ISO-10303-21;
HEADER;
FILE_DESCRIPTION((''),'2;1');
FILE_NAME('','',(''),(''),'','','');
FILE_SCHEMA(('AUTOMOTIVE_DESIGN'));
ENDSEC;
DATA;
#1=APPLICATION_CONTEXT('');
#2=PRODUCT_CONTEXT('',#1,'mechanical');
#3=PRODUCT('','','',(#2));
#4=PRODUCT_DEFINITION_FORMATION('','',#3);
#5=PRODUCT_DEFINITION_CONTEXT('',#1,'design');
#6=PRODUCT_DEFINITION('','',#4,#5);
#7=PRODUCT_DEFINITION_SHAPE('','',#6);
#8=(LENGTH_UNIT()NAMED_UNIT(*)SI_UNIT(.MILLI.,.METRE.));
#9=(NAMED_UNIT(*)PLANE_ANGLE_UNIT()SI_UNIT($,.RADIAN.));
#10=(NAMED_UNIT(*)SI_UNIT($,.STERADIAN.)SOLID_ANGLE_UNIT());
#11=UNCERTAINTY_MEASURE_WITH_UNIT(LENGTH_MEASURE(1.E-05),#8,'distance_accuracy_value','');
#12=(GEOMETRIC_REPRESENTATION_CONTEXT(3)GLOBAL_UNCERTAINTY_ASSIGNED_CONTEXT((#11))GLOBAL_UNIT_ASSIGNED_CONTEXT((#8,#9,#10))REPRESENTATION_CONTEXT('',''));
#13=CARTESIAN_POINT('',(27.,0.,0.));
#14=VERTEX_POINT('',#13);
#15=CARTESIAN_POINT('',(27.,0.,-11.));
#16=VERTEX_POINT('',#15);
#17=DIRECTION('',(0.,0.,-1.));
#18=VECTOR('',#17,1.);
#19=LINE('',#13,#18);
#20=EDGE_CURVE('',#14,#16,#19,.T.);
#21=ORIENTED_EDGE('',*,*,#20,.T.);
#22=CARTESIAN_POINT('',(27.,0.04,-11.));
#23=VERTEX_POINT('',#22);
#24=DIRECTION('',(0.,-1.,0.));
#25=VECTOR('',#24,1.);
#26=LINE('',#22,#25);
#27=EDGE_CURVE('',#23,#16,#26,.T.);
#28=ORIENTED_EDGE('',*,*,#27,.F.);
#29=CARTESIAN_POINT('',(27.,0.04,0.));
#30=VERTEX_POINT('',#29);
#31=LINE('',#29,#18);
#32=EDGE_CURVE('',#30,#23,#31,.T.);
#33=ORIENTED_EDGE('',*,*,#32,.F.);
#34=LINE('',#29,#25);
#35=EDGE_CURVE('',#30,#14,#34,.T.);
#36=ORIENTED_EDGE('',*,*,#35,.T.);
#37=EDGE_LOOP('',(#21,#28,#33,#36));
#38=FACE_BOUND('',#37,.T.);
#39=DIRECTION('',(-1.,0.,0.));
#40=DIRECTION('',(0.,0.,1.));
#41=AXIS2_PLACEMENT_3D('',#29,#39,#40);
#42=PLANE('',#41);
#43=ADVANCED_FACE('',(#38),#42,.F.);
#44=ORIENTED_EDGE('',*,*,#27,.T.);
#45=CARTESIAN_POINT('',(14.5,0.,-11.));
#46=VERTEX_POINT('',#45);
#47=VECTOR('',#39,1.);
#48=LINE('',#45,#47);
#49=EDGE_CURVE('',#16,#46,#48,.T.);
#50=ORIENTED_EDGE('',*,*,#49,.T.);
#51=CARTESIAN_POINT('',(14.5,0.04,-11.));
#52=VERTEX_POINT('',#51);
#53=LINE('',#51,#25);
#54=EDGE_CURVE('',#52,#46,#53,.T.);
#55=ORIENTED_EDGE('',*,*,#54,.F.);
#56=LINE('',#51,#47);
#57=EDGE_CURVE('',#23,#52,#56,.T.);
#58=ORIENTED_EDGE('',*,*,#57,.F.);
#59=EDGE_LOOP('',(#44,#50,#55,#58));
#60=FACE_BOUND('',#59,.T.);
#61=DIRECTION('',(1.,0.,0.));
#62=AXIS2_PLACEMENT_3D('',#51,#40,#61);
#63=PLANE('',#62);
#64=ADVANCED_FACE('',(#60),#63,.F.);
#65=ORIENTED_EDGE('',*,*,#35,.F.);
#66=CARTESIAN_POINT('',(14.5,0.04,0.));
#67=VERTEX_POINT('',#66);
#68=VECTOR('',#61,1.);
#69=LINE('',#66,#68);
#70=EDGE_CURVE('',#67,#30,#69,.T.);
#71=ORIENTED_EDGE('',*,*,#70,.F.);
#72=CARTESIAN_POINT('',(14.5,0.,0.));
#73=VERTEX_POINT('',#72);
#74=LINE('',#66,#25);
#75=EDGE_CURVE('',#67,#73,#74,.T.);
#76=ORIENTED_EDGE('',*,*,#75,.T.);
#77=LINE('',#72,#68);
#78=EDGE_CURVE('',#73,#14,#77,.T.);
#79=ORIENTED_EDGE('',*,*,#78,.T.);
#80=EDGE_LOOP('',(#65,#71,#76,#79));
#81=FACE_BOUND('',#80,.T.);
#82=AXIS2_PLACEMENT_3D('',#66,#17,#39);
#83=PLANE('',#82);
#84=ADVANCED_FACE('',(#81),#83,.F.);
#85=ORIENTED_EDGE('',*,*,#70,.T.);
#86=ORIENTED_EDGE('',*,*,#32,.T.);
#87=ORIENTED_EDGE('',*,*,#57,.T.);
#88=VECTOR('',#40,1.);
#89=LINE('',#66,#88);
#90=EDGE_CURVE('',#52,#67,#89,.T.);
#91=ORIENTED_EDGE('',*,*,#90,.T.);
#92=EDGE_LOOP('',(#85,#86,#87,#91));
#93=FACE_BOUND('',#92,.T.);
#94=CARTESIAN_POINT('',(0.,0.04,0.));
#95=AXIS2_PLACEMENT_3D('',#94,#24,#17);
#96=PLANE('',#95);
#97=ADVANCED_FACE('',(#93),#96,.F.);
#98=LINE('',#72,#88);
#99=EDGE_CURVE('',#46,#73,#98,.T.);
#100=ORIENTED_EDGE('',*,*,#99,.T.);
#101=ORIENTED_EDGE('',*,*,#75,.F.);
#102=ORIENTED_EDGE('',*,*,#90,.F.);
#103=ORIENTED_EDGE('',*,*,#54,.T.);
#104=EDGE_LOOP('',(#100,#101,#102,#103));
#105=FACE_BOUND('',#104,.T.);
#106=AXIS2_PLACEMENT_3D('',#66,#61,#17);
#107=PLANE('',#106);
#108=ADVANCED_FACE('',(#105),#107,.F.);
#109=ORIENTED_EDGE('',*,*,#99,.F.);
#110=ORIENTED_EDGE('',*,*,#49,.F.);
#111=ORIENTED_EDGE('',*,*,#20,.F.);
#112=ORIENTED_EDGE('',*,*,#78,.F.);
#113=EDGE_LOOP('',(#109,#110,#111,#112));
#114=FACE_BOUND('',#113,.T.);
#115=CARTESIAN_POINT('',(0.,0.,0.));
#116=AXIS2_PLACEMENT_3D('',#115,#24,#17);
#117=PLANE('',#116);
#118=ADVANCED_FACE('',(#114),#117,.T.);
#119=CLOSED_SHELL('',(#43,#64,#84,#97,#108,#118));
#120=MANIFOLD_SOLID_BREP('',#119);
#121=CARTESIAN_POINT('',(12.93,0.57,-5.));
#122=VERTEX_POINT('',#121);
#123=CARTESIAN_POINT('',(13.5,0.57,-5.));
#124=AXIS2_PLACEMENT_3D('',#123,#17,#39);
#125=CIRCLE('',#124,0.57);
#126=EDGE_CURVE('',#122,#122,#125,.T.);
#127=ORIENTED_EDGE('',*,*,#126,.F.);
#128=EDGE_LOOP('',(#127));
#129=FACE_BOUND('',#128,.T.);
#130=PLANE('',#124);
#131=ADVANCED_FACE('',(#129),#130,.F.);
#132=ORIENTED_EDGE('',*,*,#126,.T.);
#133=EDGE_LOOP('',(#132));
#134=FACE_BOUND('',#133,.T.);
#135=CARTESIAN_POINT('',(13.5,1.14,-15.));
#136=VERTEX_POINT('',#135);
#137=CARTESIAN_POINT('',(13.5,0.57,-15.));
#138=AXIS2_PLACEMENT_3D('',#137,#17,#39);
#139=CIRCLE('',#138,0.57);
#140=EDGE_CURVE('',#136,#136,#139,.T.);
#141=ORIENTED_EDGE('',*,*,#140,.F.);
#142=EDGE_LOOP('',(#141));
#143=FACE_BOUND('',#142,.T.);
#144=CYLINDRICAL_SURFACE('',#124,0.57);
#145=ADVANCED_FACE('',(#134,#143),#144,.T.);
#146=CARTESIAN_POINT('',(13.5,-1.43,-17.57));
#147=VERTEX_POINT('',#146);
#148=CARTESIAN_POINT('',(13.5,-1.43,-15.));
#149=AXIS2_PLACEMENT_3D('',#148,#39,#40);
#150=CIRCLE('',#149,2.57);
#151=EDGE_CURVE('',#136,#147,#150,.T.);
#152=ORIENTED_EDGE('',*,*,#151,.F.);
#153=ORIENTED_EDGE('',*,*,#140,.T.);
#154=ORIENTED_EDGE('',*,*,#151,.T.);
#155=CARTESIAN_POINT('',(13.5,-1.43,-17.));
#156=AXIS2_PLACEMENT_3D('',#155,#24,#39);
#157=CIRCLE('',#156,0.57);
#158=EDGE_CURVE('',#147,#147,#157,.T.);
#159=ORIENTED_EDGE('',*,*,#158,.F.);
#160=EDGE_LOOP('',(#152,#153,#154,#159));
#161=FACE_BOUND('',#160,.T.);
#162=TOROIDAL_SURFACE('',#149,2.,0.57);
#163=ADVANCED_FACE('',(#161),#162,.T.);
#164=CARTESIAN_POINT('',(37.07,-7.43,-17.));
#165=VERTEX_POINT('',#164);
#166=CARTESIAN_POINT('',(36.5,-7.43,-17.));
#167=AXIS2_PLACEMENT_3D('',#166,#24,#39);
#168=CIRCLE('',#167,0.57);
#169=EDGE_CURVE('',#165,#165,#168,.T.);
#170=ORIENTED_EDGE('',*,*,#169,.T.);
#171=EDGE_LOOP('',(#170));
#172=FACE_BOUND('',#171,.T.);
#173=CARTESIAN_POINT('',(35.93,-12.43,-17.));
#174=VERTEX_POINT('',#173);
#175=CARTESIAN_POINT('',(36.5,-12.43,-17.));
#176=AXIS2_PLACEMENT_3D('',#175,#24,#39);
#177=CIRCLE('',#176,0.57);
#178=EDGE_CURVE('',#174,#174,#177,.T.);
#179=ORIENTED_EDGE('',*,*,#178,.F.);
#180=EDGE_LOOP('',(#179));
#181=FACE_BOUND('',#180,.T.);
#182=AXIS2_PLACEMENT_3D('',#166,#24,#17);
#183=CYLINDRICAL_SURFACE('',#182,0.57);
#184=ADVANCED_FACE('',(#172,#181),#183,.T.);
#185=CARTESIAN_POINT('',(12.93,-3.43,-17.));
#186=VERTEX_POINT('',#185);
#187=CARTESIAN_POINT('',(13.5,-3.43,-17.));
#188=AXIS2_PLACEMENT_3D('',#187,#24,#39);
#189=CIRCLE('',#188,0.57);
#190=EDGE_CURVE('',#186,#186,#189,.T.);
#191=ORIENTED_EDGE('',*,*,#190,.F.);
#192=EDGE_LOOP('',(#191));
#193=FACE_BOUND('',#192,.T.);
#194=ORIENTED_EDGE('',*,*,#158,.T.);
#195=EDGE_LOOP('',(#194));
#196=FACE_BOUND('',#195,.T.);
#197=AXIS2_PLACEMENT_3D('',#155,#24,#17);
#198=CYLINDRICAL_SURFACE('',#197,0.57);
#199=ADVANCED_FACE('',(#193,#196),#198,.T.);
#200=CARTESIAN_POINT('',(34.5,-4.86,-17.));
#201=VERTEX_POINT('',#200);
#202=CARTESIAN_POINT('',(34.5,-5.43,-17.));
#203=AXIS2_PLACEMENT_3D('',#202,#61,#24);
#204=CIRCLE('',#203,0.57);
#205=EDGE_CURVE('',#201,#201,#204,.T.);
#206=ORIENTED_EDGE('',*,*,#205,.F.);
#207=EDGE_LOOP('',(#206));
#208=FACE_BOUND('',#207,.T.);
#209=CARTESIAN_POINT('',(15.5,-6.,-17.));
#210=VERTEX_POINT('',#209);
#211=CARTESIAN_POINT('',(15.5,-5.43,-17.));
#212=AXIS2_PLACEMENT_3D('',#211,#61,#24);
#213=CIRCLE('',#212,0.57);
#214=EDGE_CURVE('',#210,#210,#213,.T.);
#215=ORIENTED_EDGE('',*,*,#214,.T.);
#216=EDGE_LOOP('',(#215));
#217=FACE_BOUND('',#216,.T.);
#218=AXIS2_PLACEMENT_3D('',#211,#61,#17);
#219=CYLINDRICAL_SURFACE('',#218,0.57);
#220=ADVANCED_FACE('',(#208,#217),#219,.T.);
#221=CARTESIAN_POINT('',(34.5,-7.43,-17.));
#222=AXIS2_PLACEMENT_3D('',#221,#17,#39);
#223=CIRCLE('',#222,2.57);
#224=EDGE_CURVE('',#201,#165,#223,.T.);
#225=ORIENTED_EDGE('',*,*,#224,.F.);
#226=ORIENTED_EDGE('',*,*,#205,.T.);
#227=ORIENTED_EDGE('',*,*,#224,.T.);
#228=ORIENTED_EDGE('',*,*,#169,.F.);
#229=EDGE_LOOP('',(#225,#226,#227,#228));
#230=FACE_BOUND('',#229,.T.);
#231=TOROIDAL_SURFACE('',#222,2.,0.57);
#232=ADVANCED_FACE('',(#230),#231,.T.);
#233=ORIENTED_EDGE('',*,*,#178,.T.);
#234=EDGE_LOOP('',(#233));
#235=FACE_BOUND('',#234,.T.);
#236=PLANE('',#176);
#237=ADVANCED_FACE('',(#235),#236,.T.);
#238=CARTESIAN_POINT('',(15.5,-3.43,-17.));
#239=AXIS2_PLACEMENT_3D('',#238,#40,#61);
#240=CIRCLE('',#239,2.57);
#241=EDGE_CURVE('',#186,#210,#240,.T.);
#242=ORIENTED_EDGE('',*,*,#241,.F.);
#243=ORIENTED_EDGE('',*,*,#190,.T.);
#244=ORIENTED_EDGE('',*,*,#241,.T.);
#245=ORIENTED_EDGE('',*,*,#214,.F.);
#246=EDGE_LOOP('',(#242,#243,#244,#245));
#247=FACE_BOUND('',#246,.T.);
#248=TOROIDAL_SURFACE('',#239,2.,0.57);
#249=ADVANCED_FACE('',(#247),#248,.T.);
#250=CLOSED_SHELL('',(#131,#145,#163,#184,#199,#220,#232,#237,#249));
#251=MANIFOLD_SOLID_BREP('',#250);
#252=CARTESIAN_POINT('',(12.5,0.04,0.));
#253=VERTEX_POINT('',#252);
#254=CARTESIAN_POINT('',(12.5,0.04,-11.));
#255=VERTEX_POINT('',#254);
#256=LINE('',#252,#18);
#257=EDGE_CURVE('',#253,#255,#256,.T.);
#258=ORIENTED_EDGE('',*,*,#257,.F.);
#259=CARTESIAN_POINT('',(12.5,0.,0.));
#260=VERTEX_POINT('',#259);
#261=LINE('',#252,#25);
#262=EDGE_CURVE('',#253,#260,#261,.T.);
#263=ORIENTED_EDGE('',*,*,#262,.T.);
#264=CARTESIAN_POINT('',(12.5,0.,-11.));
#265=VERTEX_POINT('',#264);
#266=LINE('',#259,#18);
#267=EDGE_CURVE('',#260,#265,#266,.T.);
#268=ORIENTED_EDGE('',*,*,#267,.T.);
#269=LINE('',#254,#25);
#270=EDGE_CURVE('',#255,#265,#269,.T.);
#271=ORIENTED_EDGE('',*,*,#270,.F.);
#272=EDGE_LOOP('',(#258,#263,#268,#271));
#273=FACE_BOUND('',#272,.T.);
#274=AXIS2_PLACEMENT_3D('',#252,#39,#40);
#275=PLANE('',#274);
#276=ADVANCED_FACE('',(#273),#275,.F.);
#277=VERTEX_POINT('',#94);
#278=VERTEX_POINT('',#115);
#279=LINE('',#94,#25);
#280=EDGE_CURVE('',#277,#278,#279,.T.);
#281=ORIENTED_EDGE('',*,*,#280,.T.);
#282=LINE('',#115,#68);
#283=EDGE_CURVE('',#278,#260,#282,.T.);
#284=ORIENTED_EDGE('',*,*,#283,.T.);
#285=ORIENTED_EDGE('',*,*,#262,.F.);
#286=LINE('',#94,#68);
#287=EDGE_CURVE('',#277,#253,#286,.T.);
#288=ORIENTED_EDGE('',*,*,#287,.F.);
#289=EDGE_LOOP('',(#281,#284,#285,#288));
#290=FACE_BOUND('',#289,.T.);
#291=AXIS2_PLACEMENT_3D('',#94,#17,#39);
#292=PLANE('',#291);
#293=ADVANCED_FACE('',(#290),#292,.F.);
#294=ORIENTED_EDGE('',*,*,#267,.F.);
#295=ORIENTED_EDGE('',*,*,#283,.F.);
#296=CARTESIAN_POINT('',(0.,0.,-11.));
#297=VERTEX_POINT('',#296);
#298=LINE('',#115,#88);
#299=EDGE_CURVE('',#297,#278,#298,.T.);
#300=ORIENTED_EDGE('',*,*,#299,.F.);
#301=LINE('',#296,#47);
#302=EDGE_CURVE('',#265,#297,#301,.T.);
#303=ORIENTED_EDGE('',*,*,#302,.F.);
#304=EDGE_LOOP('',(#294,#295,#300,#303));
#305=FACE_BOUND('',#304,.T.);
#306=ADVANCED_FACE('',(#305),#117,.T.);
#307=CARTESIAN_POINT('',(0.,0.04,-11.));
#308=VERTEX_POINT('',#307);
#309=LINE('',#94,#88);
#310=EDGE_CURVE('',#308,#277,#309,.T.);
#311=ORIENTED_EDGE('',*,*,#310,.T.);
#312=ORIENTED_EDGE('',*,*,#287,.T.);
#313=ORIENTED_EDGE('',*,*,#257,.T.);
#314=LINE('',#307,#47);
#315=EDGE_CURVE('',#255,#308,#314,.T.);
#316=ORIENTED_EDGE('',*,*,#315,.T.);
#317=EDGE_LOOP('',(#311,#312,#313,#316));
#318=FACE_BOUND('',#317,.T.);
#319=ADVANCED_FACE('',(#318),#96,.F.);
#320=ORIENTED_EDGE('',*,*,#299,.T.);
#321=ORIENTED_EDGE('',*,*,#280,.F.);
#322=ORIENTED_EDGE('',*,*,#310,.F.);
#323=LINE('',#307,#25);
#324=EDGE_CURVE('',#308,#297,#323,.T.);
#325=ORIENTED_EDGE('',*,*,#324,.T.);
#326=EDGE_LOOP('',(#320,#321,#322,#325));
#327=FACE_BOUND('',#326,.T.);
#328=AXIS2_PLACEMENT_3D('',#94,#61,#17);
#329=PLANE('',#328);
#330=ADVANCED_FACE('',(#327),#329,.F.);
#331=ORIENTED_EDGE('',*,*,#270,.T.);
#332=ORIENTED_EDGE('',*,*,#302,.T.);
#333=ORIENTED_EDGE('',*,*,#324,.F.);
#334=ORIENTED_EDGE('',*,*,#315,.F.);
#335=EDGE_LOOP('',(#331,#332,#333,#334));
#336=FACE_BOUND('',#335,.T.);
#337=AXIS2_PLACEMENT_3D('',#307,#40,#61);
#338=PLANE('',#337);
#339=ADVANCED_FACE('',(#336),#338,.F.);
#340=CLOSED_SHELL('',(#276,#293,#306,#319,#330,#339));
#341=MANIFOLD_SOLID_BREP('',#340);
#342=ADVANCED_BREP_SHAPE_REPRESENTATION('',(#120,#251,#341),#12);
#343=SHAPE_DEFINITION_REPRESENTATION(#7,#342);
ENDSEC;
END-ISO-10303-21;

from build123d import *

# Parameters (mm, degrees)
SKETCH_1_W        = 12.5
SKETCH_1_H        = 11
EXTRUDE_1_DEPTH   = 0.04
EXTRUDE_1_2_DEPTH = 0.04
SKETCH_2_R        = 0.57
EXTRUDE_2_DEPTH   = 6
SKETCH_3_R        = 0.57
EXTRUDE_3_DEPTH   = 2
SKETCH_5_R        = 0.57


with BuildPart() as part:
    # Эскиз1 → Бобышка-Вытянуть1 (new body)
    with BuildSketch(Plane(origin=(0, 0, 0), x_dir=(1, 0, 0), z_dir=(0, 1, 0))):
        with Locations((6.25, 5.5)):
            Rectangle(SKETCH_1_W, SKETCH_1_H)
    extrude(amount=EXTRUDE_1_DEPTH)


with BuildPart() as body_2:
    # Эскиз1 → Extrude 1 2 (new body)
    with BuildSketch(Plane(origin=(0, 0, 0), x_dir=(1, 0, 0), z_dir=(0, 1, 0))):
        with Locations((20.75, 5.5)):
            Rectangle(SKETCH_1_W, SKETCH_1_H)
    extrude(amount=EXTRUDE_1_2_DEPTH)


with BuildPart() as body_3:
    # Эскиз2 → Бобышка-Вытянуть2 (new body)
    with BuildSketch(Plane(origin=(0, 0, -11), x_dir=(-1, 0, 0), z_dir=(0, 0, -1))):
        with Locations((-13.5, 0.57)):
            Circle(SKETCH_2_R)
    extrude(amount=-EXTRUDE_2_DEPTH)

    # Эскиз3 → Бобышка-Вытянуть3 (add)
    with BuildSketch(Plane(origin=(0, 0, -11), x_dir=(-1, 0, 0), z_dir=(0, 0, -1))):
        with Locations((-13.5, 0.57)):
            Circle(SKETCH_3_R)
    extrude(amount=EXTRUDE_3_DEPTH)

    # По траектории1: sweep along a curve in space
    with BuildLine() as sweep_1_path:
        Line((13.5, 0.57, -13), (13.5, 0.57, -15))
        ThreePointArc((13.5, -1.43, -17), (13.5, -0.015786438, -16.414213562), (13.5, 0.57, -15))
        Line((13.5, -1.43, -17), (13.5, -3.43, -17))
        ThreePointArc((15.5, -5.43, -17), (14.085786438, -4.844213562, -17), (13.5, -3.43, -17))
        Line((15.5, -5.43, -17), (34.5, -5.43, -17))
        ThreePointArc((36.5, -7.43, -17), (35.914213562, -6.015786438, -17), (34.5, -5.43, -17))
        Line((36.5, -7.43, -17), (36.5, -12.43, -17))
    # Эскиз5 → По траектории1 (sweep)
    with BuildSketch(Plane(origin=(0, 0, -13), x_dir=(-1, 0, 0), z_dir=(0, 0, -1))):
        with Locations((-13.5, 0.57)):
            Circle(SKETCH_5_R)
    sweep(path=sweep_1_path.line)


solid = Compound([part.part, body_2.part, body_3.part])
